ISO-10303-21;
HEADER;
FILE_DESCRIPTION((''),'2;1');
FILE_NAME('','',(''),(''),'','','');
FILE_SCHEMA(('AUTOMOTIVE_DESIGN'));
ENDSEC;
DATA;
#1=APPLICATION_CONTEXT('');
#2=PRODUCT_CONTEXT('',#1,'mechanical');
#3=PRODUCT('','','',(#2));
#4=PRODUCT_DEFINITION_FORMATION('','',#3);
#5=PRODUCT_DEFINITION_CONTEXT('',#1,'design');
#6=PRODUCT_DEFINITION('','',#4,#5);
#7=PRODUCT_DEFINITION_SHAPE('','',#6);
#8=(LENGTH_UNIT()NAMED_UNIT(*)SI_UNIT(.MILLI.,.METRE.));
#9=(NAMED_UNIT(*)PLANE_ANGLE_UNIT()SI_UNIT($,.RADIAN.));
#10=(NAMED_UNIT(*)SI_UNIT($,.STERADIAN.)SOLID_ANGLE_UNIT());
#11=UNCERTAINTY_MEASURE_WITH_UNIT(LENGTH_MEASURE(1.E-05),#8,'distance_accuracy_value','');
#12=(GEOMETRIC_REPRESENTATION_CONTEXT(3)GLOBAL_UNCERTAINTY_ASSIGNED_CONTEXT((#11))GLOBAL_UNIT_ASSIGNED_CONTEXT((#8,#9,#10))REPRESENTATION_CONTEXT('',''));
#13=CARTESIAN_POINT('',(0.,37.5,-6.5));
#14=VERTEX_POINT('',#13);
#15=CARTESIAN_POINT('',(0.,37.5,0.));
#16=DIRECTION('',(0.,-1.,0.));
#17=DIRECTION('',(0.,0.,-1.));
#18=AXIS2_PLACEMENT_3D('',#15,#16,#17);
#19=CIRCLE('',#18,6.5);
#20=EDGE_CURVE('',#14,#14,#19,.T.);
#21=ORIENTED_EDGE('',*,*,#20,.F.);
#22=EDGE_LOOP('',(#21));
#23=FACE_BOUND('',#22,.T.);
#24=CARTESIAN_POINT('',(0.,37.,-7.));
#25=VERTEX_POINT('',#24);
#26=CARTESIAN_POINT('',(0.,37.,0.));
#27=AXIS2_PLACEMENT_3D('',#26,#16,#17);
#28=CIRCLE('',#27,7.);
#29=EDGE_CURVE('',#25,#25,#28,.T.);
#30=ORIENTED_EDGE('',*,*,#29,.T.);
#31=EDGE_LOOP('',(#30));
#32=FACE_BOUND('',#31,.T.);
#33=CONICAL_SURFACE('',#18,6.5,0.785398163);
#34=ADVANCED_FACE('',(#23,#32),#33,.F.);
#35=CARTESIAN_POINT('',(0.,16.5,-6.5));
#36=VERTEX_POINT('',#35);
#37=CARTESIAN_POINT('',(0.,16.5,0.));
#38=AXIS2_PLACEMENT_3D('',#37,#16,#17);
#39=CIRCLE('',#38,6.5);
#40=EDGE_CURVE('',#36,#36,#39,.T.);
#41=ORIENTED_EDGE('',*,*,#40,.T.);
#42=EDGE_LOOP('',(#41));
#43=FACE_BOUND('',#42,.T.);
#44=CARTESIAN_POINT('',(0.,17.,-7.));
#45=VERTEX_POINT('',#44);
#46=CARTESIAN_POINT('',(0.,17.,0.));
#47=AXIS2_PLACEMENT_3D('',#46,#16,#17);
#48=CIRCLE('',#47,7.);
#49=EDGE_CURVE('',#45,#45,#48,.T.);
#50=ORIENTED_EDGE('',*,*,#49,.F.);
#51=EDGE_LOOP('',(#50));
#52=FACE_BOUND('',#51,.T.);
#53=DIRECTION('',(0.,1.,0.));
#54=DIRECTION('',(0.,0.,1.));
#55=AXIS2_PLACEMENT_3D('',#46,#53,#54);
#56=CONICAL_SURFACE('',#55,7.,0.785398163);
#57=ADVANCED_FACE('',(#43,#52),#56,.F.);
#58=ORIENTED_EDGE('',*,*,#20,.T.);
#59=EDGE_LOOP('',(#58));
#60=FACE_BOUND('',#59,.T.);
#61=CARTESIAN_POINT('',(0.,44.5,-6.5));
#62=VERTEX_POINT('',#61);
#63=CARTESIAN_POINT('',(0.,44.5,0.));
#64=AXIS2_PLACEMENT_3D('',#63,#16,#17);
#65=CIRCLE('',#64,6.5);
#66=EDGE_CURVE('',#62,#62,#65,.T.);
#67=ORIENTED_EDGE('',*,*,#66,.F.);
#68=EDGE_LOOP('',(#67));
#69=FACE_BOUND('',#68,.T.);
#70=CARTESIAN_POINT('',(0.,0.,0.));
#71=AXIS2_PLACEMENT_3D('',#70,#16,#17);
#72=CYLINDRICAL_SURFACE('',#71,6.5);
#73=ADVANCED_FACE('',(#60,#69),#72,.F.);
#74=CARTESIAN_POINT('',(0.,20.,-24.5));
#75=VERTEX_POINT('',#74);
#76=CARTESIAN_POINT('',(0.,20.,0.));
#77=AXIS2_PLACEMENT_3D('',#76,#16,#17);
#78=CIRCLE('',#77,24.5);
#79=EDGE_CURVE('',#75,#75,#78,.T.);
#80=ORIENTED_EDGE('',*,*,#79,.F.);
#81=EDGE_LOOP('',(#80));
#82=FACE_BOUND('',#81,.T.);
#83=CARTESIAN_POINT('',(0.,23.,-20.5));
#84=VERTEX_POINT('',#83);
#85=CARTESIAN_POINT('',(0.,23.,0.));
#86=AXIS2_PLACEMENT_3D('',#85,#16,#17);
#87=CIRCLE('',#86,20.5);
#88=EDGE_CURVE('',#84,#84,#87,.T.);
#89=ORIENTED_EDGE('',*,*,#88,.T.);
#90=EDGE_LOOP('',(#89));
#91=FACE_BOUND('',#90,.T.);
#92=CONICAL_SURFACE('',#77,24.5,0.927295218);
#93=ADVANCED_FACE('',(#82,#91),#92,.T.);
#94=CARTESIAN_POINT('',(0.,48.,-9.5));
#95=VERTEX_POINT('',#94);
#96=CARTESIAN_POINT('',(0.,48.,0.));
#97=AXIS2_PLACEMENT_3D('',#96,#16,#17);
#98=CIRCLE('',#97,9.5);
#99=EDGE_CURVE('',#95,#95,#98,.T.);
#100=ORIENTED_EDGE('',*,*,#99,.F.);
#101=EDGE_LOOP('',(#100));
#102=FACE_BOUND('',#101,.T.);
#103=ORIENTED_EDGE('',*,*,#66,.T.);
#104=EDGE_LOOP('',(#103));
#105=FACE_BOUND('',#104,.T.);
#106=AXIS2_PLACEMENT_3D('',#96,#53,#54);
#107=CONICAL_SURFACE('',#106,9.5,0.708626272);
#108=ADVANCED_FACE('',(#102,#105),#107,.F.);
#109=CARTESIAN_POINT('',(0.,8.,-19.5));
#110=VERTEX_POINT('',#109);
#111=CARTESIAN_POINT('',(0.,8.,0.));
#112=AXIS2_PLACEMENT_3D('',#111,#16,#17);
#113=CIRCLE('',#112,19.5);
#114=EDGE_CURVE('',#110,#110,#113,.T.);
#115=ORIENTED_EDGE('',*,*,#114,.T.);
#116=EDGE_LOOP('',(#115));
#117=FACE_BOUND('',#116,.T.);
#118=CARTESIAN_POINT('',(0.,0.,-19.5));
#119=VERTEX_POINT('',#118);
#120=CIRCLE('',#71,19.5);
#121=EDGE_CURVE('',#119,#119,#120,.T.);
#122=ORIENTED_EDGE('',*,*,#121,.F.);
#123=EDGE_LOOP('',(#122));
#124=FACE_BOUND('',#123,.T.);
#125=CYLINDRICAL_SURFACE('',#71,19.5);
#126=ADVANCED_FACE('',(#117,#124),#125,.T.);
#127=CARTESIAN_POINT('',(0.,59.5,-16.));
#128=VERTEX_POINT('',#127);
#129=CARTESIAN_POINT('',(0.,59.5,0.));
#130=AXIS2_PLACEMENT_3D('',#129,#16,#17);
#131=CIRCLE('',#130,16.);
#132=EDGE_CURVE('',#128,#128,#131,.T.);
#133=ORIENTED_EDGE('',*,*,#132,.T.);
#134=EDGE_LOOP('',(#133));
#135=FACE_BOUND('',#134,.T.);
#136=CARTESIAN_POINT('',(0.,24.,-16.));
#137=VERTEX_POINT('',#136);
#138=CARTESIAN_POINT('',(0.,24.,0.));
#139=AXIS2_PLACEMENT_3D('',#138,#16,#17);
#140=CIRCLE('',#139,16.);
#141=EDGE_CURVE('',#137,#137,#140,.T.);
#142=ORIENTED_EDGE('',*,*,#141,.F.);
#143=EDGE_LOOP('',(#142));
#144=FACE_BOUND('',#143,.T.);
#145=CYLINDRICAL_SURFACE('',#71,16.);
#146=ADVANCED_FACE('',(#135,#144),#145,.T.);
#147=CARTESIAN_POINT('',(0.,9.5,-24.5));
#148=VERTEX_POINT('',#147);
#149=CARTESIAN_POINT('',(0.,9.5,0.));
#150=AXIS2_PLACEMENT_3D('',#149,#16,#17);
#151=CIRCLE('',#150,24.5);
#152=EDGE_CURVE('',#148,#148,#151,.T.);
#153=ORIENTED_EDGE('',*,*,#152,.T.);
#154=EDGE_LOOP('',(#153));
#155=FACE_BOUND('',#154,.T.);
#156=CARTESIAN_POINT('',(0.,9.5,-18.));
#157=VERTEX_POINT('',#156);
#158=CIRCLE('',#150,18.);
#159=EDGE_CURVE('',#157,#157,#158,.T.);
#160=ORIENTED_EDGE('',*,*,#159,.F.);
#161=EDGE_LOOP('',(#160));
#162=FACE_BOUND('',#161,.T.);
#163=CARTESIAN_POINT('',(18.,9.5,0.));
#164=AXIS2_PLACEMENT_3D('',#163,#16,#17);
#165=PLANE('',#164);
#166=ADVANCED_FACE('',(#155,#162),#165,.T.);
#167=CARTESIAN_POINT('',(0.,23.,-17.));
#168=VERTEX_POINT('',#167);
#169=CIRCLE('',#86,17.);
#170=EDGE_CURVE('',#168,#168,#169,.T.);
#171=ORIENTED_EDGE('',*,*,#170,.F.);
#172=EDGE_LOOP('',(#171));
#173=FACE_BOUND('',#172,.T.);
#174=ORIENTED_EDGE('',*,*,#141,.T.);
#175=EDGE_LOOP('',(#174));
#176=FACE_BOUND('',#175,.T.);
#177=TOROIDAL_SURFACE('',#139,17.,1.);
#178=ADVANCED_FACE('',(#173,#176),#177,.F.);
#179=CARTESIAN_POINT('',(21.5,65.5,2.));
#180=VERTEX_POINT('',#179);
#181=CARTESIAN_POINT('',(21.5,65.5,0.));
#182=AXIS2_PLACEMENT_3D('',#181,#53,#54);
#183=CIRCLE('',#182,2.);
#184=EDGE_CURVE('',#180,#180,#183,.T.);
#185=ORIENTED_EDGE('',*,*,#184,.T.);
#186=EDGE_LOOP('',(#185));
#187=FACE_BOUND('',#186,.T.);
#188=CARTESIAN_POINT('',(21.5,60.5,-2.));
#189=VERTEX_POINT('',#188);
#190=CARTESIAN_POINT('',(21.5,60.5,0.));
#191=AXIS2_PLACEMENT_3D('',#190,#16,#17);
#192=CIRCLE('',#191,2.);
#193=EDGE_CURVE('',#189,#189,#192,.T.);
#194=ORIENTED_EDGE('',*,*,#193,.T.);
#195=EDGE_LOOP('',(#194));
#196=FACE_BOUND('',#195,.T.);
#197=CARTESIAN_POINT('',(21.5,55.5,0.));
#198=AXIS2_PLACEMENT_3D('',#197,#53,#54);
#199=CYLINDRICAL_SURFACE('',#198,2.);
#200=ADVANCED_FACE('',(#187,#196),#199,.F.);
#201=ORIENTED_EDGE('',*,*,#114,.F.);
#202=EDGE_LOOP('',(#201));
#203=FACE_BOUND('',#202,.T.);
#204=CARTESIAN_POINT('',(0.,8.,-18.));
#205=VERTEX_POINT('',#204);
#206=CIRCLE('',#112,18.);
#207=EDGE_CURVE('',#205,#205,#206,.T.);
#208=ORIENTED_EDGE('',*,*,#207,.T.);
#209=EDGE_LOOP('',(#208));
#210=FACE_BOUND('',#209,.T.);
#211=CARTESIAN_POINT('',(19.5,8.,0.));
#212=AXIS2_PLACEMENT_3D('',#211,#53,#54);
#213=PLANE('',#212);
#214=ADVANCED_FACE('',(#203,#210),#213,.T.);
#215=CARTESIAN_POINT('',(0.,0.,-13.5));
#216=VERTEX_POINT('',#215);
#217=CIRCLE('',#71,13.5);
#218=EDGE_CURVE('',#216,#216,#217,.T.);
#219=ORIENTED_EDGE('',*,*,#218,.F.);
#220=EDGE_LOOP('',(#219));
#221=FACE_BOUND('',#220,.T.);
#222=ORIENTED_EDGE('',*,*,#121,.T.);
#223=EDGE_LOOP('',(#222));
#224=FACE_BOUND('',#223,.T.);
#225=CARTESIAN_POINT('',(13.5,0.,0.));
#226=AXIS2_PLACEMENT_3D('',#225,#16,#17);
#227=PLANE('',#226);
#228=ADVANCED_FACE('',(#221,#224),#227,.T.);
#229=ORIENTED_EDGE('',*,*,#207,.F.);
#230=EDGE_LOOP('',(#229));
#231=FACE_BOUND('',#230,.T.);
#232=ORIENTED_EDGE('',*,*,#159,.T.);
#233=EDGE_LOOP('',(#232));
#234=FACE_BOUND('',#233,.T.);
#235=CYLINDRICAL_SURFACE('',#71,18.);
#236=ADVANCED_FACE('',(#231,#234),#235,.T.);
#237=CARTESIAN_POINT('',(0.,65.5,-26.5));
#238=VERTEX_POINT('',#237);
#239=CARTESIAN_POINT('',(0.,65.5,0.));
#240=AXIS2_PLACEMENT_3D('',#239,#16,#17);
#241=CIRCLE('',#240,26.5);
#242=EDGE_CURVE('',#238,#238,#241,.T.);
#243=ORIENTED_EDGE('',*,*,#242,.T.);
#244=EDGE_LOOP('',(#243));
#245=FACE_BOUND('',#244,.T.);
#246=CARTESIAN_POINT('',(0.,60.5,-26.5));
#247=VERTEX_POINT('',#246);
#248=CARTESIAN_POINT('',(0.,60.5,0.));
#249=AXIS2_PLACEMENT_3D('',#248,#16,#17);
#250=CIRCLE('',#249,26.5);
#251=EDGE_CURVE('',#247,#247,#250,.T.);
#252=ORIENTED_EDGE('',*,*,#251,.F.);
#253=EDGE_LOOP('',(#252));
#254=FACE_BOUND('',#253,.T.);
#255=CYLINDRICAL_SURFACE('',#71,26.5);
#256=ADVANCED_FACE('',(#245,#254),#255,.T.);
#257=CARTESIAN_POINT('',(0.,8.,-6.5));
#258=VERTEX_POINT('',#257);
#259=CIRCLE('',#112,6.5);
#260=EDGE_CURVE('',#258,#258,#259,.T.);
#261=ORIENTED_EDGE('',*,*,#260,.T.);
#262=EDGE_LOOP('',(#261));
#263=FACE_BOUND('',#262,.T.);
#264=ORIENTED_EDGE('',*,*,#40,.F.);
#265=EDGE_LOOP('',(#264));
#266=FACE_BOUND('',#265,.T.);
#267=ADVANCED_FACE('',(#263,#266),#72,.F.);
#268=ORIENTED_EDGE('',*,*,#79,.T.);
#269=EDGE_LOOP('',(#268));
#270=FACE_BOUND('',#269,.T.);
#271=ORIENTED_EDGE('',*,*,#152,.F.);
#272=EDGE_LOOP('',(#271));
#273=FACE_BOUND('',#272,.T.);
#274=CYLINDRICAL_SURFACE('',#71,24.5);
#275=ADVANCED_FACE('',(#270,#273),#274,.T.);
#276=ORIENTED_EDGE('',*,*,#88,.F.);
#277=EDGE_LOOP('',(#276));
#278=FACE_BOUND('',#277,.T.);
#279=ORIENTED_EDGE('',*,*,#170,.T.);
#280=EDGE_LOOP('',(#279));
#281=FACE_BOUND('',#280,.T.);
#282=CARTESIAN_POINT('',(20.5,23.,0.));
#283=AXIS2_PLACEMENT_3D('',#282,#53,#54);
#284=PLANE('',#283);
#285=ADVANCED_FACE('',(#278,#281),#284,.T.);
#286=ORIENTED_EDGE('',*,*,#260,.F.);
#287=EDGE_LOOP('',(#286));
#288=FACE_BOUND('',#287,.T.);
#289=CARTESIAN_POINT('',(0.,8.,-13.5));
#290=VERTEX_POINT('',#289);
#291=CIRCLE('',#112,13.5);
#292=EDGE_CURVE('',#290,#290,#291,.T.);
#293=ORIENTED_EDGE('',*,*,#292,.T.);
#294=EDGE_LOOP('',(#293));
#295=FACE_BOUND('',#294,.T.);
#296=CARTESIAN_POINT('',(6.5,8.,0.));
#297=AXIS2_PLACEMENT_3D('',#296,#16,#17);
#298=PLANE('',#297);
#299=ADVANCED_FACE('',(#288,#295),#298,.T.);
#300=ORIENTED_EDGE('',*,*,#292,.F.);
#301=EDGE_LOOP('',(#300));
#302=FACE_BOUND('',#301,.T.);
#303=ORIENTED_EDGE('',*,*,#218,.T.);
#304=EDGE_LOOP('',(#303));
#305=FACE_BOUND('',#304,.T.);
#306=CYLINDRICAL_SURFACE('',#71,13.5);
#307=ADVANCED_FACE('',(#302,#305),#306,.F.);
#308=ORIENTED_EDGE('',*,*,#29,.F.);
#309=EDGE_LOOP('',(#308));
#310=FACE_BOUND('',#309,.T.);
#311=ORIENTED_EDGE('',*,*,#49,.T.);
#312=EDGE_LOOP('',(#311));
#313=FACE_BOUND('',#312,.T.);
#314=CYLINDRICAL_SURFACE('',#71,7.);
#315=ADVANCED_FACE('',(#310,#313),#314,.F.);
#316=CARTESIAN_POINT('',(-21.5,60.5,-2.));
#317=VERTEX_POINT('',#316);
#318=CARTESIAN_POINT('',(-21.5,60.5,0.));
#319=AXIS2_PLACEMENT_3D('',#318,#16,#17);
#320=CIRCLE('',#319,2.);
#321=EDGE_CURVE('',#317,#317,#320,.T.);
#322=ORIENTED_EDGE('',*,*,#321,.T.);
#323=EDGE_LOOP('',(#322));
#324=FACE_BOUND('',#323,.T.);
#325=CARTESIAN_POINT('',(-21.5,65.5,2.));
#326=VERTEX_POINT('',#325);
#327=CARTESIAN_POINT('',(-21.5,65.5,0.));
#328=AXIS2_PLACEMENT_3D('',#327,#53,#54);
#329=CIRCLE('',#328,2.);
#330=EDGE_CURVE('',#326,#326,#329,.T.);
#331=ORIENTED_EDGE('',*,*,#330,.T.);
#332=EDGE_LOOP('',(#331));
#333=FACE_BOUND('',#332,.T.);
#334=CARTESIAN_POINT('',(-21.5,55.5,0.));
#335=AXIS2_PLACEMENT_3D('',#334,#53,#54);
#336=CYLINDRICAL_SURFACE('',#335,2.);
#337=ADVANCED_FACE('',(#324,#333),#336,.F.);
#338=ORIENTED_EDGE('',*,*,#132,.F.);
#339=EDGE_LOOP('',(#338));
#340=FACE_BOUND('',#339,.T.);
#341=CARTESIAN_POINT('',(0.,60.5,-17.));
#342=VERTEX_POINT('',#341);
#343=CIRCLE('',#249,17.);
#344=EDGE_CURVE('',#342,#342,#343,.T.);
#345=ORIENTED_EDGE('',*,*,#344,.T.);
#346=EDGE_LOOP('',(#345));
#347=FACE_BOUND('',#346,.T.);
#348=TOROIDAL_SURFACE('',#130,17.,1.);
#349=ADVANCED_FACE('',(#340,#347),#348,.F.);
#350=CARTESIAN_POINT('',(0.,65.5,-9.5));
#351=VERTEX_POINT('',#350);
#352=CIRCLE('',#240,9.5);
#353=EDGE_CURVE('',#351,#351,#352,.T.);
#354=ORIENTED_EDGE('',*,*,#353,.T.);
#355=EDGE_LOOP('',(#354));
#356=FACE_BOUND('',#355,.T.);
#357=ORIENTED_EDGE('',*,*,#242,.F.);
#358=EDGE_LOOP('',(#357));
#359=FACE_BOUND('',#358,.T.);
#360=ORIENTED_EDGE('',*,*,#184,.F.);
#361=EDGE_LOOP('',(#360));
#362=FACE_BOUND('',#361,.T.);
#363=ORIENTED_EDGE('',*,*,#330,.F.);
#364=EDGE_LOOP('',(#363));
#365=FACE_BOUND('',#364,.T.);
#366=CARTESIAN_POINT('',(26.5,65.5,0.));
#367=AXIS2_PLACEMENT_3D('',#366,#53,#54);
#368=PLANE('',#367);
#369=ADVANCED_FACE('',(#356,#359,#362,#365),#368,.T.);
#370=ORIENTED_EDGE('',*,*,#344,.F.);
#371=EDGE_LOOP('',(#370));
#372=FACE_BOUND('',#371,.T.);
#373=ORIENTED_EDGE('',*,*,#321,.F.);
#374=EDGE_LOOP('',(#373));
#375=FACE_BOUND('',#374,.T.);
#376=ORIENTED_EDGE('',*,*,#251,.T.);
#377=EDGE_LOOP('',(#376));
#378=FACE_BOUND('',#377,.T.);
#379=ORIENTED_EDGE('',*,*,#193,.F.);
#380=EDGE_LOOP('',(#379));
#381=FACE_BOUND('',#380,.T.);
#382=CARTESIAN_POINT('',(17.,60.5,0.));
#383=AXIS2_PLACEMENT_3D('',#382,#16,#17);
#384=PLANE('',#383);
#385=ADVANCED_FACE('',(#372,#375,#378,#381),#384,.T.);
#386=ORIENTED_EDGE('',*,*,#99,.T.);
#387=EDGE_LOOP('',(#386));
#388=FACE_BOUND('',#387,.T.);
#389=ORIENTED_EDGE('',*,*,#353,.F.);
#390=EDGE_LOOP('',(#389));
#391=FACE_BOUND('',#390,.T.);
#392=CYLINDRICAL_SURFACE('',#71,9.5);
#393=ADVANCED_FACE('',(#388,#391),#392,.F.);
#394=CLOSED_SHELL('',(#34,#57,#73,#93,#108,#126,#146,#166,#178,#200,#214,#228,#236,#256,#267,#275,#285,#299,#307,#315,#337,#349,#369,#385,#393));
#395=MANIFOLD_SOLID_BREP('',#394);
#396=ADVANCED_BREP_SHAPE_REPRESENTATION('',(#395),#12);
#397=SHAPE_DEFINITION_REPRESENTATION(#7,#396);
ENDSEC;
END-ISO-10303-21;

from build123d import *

# Parameters (mm, degrees)
SKETCH2_R          = 2
CUT_EXTRUDE1_DEPTH = 10


with BuildPart() as part:
    # Sketch1 → Revolve1 (revolve)
    with BuildSketch(Plane.XY, mode=Mode.PRIVATE) as revolve1_sk:
        with BuildLine():
            Line((13.5, 0), (19.5, 0))
            Line((19.5, 0), (19.5, 8))
            Line((19.5, 8), (18, 8))
            Line((18, 8), (18, 9.5))
            Line((18, 9.5), (24.5, 9.5))
            Line((24.5, 9.5), (24.5, 20))
            Line((24.5, 20), (20.5, 23))
            Line((20.5, 23), (17, 23))
            ThreePointArc((17, 23), (16.292893219, 23.292893219), (16, 24))
            Line((16, 24), (16, 59.5))
            ThreePointArc((16, 59.5), (16.292893219, 60.207106781), (17, 60.5))
            Line((17, 60.5), (26.5, 60.5))
            Line((26.5, 60.5), (26.5, 65.5))
            Line((26.5, 65.5), (9.5, 65.5))
            Line((9.5, 65.5), (9.5, 48))
            Line((9.5, 48), (6.5, 44.5))
            Line((6.5, 44.5), (6.5, 37.5))
            Line((6.5, 37.5), (7, 37))
            Line((7, 37), (7, 17))
            Line((7, 17), (6.5, 16.5))
            Line((6.5, 16.5), (6.5, 8))
            Line((6.5, 8), (13.5, 8))
            Line((13.5, 8), (13.5, 0))
        make_face()
    revolve(revolve1_sk.sketch.rotate(Axis((0, 0, 0), (0, 1, 0)), 90), axis=Axis((0, 0, 0), (0, 1, 0)))

    # Sketch2 → Cut-Extrude1 (cut)
    with BuildSketch(Plane(origin=(0, 65.5, 0), x_dir=(1, 0, 0), z_dir=(0, 1, 0))):
        with Locations(Location((21.5, 0, 0), (0, 0, 270))):
            Circle(SKETCH2_R)
        with Locations(Location((-21.5, 0, 0), (0, 0, 270))):
            Circle(SKETCH2_R)
    extrude(amount=-CUT_EXTRUDE1_DEPTH, mode=Mode.SUBTRACT)


solid = part.part
